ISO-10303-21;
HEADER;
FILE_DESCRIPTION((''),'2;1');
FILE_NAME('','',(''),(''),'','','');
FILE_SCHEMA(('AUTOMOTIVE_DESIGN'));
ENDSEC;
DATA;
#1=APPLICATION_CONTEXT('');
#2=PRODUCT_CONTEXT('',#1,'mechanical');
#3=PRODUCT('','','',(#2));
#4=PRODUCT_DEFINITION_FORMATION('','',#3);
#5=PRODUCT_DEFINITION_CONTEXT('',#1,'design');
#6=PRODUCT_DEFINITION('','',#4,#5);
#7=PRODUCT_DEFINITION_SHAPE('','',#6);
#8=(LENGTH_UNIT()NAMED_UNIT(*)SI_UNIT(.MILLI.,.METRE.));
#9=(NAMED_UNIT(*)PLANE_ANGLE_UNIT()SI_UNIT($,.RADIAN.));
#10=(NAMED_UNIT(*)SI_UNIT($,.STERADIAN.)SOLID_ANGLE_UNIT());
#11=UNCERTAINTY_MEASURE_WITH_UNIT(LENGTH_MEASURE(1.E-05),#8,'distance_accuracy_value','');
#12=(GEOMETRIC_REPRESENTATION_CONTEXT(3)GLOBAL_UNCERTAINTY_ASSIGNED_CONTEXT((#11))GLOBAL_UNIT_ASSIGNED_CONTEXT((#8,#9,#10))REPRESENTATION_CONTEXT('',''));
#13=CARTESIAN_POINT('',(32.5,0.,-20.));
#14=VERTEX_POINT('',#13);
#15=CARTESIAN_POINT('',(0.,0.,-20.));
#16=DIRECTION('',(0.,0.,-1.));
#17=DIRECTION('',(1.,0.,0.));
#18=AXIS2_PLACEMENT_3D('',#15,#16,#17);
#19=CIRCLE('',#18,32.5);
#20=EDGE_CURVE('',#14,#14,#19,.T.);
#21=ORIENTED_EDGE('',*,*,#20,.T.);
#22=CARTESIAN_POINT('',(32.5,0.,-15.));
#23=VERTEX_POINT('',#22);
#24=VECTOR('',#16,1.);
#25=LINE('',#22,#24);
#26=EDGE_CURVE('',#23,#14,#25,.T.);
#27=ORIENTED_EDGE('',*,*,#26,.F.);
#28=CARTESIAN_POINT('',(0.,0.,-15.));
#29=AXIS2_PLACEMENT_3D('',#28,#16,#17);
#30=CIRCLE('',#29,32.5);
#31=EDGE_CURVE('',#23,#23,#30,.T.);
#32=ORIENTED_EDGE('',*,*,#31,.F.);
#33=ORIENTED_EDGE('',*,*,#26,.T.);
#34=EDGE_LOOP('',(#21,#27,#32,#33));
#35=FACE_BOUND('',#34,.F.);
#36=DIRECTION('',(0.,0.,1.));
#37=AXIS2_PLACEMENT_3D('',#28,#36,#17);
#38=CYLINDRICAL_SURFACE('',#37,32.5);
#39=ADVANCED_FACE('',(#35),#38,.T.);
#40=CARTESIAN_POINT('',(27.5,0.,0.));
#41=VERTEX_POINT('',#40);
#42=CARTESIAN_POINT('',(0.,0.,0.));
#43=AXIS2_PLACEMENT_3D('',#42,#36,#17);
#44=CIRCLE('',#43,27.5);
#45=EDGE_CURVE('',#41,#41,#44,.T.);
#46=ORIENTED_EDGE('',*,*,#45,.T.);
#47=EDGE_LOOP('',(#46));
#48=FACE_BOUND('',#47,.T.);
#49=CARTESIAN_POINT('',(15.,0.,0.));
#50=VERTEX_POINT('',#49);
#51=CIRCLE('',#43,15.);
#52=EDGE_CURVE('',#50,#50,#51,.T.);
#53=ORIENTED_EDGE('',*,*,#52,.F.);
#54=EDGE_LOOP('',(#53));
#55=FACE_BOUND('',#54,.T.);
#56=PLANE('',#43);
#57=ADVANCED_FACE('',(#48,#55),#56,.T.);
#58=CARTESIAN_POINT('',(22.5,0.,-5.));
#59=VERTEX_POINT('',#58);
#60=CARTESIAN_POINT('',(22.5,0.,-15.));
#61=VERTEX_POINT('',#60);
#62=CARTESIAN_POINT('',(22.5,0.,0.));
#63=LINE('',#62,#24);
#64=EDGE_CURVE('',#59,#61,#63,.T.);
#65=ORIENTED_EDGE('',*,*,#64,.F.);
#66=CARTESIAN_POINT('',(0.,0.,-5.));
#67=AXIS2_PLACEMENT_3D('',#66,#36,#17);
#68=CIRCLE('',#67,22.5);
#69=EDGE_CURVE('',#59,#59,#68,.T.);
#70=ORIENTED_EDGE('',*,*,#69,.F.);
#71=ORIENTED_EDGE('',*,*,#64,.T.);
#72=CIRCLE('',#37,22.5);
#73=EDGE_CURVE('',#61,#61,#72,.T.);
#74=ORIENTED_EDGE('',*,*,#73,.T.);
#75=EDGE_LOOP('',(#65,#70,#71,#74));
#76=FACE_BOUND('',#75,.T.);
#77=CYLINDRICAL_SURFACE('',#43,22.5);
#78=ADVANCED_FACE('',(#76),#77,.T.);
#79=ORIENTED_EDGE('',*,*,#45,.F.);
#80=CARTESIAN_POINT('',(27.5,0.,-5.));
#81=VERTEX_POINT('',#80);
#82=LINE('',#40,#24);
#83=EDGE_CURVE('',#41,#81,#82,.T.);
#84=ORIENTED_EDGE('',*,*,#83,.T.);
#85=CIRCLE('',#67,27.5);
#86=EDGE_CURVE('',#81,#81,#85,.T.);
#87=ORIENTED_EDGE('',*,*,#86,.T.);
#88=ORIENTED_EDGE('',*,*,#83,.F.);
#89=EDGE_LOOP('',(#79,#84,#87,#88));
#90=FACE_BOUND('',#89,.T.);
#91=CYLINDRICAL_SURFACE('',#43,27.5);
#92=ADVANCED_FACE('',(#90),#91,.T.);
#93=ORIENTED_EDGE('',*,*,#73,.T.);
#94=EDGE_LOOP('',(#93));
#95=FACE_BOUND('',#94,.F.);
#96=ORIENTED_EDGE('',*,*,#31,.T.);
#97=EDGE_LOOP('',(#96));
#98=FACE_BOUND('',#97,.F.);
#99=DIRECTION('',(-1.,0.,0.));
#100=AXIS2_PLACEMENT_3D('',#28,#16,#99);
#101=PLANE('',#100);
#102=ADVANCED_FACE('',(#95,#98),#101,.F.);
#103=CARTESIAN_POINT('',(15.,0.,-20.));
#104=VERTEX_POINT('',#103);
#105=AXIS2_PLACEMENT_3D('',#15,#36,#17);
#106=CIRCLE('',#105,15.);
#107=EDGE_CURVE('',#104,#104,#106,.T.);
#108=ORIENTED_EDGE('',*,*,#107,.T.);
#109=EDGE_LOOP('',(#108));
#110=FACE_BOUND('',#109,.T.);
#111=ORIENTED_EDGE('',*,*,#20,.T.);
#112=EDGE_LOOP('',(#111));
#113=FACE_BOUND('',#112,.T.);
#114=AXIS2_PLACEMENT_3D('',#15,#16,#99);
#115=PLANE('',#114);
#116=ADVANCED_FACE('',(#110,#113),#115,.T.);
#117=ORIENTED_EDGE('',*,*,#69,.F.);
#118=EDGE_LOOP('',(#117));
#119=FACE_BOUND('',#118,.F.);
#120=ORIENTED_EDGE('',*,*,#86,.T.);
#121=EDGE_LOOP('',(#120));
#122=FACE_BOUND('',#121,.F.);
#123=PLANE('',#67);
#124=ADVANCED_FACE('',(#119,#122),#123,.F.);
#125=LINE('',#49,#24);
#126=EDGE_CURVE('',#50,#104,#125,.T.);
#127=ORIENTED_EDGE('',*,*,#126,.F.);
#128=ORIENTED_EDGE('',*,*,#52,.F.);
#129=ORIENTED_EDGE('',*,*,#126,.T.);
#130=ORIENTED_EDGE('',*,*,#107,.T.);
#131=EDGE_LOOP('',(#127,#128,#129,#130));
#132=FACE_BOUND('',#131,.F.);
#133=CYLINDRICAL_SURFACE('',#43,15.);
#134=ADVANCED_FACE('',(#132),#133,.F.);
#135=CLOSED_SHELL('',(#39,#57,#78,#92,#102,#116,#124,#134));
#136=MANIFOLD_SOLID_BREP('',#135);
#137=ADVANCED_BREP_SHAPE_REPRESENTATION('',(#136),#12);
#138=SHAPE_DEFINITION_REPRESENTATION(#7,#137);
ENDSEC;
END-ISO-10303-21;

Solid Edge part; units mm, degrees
sketch "Sketch1" plane through (0, 0, 0) normal (0, 0, 1) x (1, 0, 0)
  circle A0 centre (0, 0) radius 27.5
extrude "Protrusion1" add sketch "Sketch1" against normal blind 5
sketch "Sketch2" plane through (0, 0, 0) normal (0, 0, 1) x (1, 0, 0)
  circle A0 centre (0, 0) radius 22.5
extrude "ExtrudedProtrusion_4" add sketch "Sketch2" against normal blind 15
sketch "Sketch3" plane through (0, 0, -15) normal (0, 0, -1) x (1, 0, 0)
  circle A0 centre (0, 0) radius 32.5
extrude "ExtrudedProtrusion_6" add sketch "Sketch3" along normal blind 5
sketch "Sketch4" plane through (0, 0, 0) normal (0, 0, 1) x (1, 0, 0)
  circle A0 centre (0, 0) radius 15
extrude "ExtrudedCutout_2" cut sketch "Sketch4" against normal blind 22
